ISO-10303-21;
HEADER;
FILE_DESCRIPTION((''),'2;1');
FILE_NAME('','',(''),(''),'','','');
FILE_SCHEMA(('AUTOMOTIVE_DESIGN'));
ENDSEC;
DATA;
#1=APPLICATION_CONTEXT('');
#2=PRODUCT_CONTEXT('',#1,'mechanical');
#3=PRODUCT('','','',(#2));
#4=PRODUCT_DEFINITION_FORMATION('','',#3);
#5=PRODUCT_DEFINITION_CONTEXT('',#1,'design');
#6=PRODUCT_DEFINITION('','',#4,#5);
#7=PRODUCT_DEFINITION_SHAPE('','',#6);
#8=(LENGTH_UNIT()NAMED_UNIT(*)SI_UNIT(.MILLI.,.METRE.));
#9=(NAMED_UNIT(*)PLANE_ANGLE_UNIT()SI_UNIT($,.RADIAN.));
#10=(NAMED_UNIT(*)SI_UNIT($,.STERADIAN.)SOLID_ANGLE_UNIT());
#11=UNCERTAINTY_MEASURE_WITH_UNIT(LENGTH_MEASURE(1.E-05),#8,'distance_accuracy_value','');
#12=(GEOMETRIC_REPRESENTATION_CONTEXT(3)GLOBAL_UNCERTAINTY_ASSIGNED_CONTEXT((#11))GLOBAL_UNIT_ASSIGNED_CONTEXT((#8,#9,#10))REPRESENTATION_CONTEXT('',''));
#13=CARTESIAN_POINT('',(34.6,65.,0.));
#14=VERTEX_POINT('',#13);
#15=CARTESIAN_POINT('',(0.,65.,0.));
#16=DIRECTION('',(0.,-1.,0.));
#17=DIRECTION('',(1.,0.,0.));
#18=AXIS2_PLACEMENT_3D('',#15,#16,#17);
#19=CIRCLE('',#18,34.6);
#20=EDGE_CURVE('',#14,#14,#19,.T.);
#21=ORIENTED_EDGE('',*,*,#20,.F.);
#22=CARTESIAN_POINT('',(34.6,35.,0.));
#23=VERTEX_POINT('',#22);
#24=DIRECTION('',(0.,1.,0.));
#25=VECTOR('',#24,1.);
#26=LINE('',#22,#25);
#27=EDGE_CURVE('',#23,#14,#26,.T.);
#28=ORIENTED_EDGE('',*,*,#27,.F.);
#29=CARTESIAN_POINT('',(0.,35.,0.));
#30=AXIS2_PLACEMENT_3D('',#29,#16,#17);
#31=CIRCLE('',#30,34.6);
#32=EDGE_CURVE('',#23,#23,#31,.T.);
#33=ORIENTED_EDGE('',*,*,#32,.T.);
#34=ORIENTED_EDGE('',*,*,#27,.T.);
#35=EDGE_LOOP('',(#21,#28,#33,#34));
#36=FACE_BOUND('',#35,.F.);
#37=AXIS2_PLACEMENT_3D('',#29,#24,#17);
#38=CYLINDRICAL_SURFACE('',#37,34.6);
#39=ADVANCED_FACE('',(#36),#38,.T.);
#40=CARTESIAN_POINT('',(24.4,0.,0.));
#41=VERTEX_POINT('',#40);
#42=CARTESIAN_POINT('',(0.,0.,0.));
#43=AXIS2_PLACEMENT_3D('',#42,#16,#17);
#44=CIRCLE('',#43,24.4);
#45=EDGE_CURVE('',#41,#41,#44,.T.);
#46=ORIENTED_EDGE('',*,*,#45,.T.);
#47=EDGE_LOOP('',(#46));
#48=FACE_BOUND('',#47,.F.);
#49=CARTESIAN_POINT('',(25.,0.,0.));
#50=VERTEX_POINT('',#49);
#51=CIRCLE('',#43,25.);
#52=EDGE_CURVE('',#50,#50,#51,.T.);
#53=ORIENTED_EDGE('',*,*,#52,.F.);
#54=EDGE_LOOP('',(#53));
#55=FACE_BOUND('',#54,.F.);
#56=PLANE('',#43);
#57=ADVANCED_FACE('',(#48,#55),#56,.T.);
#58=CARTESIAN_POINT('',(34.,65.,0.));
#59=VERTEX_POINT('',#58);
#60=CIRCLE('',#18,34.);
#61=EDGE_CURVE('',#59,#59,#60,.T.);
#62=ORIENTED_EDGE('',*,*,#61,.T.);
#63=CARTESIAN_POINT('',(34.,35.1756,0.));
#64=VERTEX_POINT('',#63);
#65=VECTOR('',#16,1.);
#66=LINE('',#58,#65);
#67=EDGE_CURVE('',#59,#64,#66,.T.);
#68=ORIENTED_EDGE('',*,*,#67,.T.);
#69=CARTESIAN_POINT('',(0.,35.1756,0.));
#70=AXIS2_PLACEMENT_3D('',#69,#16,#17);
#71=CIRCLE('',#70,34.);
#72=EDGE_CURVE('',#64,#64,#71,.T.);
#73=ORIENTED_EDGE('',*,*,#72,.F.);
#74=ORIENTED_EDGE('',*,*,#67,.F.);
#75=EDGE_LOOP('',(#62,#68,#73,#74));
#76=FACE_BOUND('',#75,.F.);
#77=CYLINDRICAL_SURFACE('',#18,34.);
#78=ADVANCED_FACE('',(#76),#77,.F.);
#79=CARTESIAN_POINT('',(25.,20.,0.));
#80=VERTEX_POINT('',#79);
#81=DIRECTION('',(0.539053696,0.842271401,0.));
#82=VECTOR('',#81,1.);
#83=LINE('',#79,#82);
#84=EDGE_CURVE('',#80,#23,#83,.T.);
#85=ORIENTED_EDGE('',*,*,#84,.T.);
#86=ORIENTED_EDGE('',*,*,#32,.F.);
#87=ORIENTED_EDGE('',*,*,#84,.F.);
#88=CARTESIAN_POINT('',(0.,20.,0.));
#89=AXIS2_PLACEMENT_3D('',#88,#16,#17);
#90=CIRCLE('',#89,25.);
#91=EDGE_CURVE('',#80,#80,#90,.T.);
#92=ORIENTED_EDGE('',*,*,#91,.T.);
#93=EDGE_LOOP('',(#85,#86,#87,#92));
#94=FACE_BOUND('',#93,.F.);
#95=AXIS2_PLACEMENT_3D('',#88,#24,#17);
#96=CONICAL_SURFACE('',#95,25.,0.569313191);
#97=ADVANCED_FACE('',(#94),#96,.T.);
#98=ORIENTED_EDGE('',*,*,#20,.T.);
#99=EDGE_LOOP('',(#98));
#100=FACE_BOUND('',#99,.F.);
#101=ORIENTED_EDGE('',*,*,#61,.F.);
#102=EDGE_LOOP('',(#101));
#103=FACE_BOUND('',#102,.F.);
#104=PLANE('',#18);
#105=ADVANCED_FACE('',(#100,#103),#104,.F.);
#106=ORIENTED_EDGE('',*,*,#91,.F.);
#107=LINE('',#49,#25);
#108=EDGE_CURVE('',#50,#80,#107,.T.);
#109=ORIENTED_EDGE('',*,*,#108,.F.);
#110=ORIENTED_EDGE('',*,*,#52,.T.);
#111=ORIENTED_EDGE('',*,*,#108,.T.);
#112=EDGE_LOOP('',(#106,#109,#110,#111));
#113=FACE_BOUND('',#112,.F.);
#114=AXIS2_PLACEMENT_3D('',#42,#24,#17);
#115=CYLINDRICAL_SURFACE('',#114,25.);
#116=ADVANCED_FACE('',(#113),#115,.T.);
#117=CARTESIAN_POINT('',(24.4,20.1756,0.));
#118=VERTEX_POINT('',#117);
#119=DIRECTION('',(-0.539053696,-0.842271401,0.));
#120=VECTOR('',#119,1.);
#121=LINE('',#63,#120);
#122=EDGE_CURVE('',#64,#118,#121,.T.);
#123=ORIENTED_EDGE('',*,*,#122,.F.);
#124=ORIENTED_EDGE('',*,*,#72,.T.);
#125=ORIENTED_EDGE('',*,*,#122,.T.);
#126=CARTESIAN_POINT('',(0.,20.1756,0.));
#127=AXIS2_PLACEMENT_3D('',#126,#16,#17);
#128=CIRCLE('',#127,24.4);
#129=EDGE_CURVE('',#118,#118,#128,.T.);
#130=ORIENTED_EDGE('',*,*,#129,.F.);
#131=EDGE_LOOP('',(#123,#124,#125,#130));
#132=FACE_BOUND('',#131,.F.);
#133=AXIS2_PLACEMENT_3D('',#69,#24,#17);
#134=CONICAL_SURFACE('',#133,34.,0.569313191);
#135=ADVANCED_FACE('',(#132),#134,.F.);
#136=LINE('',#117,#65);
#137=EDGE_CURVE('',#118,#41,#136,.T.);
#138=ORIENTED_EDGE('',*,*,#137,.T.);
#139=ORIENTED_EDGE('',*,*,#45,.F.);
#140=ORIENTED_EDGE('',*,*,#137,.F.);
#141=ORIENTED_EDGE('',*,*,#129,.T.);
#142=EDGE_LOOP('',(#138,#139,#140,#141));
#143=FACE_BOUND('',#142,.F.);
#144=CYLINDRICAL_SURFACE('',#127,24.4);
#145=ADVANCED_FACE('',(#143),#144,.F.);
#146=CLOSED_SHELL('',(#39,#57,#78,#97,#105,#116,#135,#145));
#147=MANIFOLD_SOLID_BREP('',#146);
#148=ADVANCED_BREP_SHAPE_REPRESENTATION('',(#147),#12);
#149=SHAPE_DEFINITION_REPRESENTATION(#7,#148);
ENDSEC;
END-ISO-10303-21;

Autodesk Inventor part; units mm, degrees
sketch "Esquisse2" plane through (0, 0, 0) normal (0, 0, 1) x (1, 0, 0)
  line L0 (0, 43.3348) -> (0, -65.7143)
  line L1 (34, 65) -> (34, 35.1756)
  line L2 (34, 35.1756) -> (24.4, 20.1756)
  line L3 (24.4, 20.1756) -> (24.4, 0)
  line L4 (24.4, 0) -> (25, 0)
  line L5 (25, 0) -> (25, 20)
  line L6 (25, 20) -> (34.6, 35)
  line L7 (34.6, 35) -> (34.6, 65)
  line L8 (34.6, 65) -> (34, 65)
  line L9 (-6.92, 0) -> (41.52, 0) construction
  line L10 (0, 91.1429) -> (0, -91.8571) construction
  point P0 (0, 0)
  point P1 (24.7, 0)
  dimension "d1" = 68
  dimension "d2" = 0.6
  dimension "d3" = 0.6
  dimension "d4" = 0.6
  dimension "d5" = 20
  dimension "d6" = 15
  dimension "d7" = 30
  dimension "d8" = 34
  dimension "d11" = 25
revolve "Révolution1" add sketch "Esquisse2" angle 360 about axis through (0, 43.3348, 0) along (0, -1, 0)
properties part number "P011_Canon_AdaptVentilo"
